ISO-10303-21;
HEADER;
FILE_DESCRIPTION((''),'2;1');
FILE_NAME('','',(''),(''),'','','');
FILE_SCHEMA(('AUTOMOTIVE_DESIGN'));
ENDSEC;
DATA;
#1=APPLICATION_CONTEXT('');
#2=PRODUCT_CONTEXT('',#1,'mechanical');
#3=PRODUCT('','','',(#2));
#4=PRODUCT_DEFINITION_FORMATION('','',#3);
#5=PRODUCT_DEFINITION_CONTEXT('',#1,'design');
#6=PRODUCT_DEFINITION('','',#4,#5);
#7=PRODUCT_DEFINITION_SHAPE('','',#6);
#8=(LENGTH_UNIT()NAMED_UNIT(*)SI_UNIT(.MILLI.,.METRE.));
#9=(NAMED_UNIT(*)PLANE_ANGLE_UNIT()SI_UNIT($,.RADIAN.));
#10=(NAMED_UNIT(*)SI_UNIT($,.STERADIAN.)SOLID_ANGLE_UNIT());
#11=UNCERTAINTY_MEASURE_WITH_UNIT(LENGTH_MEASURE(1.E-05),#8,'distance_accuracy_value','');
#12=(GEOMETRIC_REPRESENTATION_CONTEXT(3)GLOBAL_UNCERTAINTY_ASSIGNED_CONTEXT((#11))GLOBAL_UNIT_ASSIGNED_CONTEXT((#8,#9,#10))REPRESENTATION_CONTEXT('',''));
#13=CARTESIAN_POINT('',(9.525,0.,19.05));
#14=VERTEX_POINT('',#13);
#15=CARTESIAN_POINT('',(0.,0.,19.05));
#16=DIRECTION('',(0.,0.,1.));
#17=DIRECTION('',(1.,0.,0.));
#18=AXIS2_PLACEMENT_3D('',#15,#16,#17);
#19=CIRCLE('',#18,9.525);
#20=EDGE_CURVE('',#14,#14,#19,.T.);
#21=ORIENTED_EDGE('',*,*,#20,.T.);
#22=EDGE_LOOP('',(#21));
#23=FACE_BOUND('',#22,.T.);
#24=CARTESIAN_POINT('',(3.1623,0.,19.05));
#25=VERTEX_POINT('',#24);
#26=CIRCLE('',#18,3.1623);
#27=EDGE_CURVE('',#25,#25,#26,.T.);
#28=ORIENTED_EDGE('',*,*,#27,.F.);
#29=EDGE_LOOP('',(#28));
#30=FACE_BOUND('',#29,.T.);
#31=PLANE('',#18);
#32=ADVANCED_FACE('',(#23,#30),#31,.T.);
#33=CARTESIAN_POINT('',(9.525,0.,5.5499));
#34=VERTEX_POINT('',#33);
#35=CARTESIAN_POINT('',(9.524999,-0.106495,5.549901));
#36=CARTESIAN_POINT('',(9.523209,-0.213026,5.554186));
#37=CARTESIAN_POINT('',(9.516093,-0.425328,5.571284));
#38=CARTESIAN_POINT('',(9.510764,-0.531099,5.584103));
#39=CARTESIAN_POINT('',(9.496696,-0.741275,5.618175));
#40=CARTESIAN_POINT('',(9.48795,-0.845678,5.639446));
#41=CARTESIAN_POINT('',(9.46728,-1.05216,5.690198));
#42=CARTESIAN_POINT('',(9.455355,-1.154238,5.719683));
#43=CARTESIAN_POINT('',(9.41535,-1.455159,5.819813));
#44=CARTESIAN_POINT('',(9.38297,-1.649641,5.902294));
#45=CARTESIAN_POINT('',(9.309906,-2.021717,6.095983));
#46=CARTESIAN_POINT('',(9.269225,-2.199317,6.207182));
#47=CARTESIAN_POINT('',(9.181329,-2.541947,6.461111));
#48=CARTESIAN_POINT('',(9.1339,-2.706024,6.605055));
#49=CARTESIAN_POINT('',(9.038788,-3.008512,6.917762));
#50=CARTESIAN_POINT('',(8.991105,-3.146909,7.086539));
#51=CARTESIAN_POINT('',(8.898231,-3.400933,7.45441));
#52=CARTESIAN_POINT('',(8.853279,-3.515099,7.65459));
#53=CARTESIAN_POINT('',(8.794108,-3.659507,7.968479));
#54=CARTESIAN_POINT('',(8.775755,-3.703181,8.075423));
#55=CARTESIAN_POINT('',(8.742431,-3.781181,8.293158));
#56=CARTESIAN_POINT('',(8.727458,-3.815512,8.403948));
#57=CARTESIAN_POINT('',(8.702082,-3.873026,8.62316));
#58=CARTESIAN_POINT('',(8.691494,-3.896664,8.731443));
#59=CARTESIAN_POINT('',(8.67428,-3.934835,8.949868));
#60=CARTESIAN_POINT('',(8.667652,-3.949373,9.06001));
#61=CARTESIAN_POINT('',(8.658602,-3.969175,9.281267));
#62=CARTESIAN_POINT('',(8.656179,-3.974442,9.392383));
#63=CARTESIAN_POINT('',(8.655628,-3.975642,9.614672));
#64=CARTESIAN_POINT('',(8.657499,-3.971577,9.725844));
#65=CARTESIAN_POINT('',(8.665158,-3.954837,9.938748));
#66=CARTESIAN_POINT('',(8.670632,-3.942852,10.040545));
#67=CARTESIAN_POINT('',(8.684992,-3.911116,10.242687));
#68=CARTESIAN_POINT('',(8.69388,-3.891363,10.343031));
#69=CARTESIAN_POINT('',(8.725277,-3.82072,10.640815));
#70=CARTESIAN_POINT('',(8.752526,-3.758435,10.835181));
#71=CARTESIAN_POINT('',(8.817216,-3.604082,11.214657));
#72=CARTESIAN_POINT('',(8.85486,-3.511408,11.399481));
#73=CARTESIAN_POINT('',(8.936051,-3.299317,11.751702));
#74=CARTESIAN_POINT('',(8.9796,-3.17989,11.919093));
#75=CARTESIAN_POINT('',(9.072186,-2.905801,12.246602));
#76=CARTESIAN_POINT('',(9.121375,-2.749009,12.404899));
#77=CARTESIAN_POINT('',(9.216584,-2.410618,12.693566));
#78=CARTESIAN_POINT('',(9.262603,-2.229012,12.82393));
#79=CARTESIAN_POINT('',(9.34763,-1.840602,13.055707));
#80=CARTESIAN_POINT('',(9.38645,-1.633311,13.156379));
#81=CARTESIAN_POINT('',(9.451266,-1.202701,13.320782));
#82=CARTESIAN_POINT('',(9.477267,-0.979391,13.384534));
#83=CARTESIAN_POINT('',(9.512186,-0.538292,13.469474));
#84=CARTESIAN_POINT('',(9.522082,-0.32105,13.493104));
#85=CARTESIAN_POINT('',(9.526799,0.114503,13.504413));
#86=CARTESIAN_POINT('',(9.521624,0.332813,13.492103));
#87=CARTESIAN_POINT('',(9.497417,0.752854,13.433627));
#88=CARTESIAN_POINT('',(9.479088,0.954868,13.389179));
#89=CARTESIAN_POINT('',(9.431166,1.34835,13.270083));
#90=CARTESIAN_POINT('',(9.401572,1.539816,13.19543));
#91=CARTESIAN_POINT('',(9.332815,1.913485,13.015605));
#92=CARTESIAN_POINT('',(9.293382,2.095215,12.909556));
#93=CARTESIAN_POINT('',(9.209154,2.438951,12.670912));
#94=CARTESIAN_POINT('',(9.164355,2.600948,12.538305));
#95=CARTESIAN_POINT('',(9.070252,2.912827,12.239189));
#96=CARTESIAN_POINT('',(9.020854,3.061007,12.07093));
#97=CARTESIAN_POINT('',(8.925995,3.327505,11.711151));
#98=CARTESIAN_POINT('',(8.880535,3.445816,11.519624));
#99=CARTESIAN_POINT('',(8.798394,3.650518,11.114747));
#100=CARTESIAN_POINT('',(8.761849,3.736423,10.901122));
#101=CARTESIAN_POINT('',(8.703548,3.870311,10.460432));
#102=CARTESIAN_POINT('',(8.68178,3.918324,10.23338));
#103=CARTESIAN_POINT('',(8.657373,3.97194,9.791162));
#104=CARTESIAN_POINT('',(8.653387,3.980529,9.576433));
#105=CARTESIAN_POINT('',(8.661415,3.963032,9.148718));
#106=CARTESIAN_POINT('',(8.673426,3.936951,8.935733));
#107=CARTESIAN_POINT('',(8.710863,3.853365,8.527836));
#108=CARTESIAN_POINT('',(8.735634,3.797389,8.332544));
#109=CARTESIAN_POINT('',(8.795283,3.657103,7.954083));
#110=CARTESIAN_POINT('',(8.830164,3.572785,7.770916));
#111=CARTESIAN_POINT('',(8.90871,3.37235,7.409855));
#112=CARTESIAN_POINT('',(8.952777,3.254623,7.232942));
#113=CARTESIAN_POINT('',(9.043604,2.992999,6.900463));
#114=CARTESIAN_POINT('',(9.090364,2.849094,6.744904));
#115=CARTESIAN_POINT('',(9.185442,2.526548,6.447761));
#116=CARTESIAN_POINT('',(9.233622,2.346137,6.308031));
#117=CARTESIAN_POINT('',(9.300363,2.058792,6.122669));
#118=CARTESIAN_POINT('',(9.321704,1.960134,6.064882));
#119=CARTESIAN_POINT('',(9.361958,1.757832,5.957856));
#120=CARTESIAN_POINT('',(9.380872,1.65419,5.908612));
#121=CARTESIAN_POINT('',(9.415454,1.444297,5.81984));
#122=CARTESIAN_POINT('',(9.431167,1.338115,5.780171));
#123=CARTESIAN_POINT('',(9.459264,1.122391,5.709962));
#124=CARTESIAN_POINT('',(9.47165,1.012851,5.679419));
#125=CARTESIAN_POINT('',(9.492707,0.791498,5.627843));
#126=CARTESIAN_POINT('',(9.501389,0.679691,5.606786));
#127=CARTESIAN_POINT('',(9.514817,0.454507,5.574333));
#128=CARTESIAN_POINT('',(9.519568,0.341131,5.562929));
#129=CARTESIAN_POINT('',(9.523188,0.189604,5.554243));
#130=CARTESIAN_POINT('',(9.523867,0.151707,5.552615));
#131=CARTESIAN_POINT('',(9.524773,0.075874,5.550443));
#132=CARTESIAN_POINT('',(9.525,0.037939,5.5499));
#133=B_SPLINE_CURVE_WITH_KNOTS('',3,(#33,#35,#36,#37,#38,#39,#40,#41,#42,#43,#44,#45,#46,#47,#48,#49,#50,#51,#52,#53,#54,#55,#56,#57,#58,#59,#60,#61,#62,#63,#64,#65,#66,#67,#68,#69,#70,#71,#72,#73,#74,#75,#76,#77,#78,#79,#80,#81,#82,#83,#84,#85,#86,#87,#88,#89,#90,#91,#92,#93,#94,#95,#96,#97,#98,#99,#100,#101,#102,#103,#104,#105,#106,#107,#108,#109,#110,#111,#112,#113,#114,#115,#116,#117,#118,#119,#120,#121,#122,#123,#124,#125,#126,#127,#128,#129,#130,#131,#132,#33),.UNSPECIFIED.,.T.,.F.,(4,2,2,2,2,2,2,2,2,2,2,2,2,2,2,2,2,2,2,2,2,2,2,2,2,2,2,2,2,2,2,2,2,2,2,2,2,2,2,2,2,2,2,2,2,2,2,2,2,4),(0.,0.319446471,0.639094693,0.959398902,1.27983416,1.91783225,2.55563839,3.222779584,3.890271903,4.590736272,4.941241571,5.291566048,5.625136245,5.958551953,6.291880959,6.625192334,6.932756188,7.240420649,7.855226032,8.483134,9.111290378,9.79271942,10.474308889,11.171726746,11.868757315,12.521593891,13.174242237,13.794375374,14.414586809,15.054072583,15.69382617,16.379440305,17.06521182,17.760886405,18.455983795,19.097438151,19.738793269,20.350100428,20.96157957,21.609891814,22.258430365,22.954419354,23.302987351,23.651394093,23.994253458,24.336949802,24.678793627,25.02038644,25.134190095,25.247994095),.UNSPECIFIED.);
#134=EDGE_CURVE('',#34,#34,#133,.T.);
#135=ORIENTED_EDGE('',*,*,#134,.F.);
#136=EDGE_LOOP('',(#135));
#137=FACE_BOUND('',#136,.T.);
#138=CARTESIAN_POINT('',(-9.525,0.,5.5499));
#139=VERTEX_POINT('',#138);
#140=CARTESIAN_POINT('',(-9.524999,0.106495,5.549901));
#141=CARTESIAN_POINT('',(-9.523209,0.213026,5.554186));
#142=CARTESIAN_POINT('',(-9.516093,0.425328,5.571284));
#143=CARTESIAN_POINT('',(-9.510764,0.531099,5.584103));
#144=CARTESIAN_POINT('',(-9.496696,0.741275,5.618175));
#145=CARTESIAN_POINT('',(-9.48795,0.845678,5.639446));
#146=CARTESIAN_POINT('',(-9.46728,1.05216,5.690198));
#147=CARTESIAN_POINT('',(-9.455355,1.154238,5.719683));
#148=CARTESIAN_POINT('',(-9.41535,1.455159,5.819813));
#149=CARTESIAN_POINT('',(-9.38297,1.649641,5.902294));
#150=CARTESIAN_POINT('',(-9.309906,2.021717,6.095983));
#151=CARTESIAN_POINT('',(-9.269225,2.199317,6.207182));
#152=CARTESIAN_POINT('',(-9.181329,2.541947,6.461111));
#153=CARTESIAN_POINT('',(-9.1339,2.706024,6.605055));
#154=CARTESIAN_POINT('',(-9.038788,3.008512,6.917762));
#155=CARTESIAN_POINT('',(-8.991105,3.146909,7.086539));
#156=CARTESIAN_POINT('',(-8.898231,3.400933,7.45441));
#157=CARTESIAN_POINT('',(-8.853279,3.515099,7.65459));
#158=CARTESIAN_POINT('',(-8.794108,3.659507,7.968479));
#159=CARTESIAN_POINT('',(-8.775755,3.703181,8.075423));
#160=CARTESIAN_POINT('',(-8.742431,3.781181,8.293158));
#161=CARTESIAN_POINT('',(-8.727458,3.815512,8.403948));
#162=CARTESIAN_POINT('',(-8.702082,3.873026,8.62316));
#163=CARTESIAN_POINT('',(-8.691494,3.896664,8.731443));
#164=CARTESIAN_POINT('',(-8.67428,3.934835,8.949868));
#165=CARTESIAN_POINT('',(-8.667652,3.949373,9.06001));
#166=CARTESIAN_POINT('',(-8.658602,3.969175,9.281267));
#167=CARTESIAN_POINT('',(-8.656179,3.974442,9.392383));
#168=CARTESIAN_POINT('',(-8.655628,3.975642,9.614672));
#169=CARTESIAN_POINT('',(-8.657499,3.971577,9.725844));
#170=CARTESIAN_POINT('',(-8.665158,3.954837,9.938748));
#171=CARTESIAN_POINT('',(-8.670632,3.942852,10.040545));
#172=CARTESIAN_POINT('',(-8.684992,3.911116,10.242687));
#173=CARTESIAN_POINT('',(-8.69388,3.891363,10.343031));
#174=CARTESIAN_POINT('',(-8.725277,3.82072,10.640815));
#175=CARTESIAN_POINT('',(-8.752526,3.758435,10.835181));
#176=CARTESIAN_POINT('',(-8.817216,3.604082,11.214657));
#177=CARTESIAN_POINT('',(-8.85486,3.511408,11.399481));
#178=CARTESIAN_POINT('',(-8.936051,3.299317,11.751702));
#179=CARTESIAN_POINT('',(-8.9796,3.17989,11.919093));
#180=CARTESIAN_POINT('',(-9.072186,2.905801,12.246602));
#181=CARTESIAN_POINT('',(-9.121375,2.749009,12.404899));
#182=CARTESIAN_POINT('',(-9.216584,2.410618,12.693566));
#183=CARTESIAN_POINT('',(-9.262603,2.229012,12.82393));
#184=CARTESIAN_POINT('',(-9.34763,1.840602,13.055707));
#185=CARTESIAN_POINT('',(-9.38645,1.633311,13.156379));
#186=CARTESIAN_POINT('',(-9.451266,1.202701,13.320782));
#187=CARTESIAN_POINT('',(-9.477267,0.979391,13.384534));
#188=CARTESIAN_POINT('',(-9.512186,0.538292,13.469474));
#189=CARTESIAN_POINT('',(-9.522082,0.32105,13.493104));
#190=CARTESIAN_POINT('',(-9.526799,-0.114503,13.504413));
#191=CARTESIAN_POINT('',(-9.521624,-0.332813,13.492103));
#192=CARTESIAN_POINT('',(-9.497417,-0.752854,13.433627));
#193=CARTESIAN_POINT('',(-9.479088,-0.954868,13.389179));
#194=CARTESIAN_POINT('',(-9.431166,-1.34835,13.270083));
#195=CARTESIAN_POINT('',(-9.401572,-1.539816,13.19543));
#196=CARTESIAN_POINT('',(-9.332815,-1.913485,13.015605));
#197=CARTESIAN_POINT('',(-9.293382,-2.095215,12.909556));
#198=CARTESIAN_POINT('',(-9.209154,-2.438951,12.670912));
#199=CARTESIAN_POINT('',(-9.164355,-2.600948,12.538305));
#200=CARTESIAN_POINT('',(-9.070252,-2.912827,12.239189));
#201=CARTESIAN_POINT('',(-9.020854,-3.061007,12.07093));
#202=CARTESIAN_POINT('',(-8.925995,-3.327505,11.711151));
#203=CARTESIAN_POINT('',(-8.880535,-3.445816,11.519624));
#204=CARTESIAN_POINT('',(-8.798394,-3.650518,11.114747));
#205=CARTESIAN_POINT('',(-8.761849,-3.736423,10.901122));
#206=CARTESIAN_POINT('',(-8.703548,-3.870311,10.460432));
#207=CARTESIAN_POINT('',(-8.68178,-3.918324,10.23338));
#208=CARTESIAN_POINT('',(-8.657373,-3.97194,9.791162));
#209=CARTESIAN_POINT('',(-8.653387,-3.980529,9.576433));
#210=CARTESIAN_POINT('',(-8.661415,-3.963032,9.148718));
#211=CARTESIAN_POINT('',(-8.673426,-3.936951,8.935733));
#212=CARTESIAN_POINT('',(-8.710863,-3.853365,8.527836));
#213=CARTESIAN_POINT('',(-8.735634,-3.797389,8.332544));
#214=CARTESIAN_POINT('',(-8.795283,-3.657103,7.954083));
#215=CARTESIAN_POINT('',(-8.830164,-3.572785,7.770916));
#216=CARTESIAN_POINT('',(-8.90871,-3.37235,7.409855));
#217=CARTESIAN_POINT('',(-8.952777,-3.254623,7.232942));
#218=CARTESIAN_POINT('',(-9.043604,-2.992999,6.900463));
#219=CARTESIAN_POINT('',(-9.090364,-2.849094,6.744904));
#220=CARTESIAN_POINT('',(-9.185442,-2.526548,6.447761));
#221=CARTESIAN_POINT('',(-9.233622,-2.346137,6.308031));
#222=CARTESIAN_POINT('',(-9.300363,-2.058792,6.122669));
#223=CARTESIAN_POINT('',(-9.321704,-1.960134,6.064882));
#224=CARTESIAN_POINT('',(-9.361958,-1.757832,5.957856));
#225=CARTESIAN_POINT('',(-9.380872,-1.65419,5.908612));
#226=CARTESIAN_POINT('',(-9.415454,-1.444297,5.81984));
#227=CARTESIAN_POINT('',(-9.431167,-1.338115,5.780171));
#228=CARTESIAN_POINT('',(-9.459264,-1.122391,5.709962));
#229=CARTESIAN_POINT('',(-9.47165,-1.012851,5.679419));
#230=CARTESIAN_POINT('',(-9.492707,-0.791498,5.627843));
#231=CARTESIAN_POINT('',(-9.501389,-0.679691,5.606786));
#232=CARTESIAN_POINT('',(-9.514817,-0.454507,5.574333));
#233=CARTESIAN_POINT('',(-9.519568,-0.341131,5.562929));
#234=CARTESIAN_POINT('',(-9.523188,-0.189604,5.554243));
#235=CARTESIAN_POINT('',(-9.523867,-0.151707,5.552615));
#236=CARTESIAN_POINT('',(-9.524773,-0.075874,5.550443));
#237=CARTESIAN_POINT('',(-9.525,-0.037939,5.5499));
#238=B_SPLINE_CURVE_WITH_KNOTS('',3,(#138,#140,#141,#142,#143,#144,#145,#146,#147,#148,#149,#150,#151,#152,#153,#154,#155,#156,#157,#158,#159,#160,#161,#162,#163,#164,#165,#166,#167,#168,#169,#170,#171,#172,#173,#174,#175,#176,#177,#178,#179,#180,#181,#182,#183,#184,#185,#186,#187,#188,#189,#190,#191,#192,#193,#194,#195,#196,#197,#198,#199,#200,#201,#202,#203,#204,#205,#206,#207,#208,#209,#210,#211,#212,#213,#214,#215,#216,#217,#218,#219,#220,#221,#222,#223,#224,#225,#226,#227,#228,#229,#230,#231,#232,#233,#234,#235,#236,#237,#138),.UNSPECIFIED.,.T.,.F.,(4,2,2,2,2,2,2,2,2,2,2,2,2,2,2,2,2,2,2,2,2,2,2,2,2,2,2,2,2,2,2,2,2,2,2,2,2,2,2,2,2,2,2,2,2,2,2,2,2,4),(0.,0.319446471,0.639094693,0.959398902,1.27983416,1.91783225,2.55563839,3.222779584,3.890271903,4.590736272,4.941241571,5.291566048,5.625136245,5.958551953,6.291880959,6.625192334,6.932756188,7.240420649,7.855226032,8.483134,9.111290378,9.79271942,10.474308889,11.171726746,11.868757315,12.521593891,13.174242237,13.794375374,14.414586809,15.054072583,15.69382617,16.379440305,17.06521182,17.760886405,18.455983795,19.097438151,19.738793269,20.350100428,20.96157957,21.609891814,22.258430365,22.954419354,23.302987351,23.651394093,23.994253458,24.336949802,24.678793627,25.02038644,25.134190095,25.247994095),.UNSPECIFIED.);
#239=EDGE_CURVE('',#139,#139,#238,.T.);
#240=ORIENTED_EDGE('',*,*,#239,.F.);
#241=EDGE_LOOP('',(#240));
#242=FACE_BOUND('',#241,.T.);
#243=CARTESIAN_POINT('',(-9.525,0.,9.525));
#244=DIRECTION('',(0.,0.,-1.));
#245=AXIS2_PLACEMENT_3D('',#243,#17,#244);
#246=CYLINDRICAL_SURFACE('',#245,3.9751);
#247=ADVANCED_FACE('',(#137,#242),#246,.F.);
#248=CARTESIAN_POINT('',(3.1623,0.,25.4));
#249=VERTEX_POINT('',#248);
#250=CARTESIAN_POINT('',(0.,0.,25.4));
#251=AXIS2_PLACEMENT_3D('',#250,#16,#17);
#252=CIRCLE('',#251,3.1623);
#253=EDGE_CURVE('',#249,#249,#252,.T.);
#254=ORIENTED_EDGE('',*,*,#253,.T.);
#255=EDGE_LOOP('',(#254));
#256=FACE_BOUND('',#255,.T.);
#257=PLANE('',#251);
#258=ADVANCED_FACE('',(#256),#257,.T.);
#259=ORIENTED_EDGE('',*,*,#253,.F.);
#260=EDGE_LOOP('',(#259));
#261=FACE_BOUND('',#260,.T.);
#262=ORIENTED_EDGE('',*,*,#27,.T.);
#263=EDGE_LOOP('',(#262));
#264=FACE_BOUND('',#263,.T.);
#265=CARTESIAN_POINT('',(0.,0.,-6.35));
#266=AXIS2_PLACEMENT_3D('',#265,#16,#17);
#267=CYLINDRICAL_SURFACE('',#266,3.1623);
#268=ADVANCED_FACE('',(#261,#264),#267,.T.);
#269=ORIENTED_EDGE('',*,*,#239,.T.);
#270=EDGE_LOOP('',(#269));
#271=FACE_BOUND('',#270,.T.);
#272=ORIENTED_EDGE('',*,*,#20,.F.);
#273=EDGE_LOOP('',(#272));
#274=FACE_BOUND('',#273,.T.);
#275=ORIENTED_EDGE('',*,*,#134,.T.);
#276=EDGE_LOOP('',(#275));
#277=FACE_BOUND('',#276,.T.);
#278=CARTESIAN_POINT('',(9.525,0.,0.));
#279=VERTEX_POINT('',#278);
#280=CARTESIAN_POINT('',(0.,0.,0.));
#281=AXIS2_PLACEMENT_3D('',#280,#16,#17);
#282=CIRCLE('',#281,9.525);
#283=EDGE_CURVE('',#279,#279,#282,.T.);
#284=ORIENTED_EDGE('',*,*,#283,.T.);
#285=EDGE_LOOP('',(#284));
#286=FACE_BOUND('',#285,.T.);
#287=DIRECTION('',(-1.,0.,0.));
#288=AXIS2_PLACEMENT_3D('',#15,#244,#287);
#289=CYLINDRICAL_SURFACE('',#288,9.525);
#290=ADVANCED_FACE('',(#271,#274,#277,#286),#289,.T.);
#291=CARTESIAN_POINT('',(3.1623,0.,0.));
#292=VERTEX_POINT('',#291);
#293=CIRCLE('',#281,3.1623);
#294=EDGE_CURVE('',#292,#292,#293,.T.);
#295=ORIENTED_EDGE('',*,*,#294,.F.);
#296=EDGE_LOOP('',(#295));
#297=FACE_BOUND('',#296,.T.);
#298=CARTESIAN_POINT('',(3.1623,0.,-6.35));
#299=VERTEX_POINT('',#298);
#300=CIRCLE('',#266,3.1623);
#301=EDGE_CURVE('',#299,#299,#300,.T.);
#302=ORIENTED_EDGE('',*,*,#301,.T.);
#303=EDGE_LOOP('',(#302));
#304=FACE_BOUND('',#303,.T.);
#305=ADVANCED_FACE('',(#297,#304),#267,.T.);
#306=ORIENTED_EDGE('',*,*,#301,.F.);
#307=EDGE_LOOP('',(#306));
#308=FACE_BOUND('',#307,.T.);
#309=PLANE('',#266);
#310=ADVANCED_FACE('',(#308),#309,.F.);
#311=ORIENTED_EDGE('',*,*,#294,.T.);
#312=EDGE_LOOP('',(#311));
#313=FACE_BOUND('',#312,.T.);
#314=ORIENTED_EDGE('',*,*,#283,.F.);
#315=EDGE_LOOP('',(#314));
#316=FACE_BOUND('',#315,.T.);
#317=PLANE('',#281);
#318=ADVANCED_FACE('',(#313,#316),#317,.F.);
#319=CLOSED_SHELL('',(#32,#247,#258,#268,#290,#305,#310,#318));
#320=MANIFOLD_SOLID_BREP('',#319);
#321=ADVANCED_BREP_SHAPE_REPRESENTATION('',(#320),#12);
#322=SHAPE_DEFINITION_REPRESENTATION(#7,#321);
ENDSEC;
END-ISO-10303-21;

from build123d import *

# Parameters (mm, degrees)
SKETCH1_R                = 9.525
BOSS_EXTRUDE1_DEPTH      = 19.05
BOSS_EXTRUDE2_DEPTH      = 6.35
BOSS_EXTRUDE2_DEPTH_BACK = 25.4
SKETCH2_R                = 3.1623
CUT_EXTRUDE1_DEPTH       = 29.750847814
CUT_EXTRUDE1_DEPTH_BACK  = 29.750847814
SKETCH3_R                = 3.9751


with BuildPart() as part:
    # Sketch1 → Boss-Extrude1 (new body)
    with BuildSketch(Plane.XY):
        with Locations(Location((0, 0, 0), (0, 0, 180))):
            Circle(SKETCH1_R)
    extrude(amount=BOSS_EXTRUDE1_DEPTH)

    # Sketch2 → Boss-Extrude2 (add, two sides: drawn at the far end of the back side and taken through both)
    with BuildSketch(Plane.XY.offset(19.05).offset(-BOSS_EXTRUDE2_DEPTH_BACK)):
        Circle(SKETCH2_R)
    extrude(amount=BOSS_EXTRUDE2_DEPTH + BOSS_EXTRUDE2_DEPTH_BACK)

    # Sketch3 → Cut-Extrude1 (cut, two sides: drawn at the far end of the back side and taken through both)
    with BuildSketch(Plane(origin=(0, 0, 0), x_dir=(0, 0, -1), z_dir=(1, 0, 0)).offset(-CUT_EXTRUDE1_DEPTH_BACK)):
        with Locations((-9.525, 0)):
            Circle(SKETCH3_R)
    extrude(amount=CUT_EXTRUDE1_DEPTH + CUT_EXTRUDE1_DEPTH_BACK, mode=Mode.SUBTRACT)


solid = part.part
